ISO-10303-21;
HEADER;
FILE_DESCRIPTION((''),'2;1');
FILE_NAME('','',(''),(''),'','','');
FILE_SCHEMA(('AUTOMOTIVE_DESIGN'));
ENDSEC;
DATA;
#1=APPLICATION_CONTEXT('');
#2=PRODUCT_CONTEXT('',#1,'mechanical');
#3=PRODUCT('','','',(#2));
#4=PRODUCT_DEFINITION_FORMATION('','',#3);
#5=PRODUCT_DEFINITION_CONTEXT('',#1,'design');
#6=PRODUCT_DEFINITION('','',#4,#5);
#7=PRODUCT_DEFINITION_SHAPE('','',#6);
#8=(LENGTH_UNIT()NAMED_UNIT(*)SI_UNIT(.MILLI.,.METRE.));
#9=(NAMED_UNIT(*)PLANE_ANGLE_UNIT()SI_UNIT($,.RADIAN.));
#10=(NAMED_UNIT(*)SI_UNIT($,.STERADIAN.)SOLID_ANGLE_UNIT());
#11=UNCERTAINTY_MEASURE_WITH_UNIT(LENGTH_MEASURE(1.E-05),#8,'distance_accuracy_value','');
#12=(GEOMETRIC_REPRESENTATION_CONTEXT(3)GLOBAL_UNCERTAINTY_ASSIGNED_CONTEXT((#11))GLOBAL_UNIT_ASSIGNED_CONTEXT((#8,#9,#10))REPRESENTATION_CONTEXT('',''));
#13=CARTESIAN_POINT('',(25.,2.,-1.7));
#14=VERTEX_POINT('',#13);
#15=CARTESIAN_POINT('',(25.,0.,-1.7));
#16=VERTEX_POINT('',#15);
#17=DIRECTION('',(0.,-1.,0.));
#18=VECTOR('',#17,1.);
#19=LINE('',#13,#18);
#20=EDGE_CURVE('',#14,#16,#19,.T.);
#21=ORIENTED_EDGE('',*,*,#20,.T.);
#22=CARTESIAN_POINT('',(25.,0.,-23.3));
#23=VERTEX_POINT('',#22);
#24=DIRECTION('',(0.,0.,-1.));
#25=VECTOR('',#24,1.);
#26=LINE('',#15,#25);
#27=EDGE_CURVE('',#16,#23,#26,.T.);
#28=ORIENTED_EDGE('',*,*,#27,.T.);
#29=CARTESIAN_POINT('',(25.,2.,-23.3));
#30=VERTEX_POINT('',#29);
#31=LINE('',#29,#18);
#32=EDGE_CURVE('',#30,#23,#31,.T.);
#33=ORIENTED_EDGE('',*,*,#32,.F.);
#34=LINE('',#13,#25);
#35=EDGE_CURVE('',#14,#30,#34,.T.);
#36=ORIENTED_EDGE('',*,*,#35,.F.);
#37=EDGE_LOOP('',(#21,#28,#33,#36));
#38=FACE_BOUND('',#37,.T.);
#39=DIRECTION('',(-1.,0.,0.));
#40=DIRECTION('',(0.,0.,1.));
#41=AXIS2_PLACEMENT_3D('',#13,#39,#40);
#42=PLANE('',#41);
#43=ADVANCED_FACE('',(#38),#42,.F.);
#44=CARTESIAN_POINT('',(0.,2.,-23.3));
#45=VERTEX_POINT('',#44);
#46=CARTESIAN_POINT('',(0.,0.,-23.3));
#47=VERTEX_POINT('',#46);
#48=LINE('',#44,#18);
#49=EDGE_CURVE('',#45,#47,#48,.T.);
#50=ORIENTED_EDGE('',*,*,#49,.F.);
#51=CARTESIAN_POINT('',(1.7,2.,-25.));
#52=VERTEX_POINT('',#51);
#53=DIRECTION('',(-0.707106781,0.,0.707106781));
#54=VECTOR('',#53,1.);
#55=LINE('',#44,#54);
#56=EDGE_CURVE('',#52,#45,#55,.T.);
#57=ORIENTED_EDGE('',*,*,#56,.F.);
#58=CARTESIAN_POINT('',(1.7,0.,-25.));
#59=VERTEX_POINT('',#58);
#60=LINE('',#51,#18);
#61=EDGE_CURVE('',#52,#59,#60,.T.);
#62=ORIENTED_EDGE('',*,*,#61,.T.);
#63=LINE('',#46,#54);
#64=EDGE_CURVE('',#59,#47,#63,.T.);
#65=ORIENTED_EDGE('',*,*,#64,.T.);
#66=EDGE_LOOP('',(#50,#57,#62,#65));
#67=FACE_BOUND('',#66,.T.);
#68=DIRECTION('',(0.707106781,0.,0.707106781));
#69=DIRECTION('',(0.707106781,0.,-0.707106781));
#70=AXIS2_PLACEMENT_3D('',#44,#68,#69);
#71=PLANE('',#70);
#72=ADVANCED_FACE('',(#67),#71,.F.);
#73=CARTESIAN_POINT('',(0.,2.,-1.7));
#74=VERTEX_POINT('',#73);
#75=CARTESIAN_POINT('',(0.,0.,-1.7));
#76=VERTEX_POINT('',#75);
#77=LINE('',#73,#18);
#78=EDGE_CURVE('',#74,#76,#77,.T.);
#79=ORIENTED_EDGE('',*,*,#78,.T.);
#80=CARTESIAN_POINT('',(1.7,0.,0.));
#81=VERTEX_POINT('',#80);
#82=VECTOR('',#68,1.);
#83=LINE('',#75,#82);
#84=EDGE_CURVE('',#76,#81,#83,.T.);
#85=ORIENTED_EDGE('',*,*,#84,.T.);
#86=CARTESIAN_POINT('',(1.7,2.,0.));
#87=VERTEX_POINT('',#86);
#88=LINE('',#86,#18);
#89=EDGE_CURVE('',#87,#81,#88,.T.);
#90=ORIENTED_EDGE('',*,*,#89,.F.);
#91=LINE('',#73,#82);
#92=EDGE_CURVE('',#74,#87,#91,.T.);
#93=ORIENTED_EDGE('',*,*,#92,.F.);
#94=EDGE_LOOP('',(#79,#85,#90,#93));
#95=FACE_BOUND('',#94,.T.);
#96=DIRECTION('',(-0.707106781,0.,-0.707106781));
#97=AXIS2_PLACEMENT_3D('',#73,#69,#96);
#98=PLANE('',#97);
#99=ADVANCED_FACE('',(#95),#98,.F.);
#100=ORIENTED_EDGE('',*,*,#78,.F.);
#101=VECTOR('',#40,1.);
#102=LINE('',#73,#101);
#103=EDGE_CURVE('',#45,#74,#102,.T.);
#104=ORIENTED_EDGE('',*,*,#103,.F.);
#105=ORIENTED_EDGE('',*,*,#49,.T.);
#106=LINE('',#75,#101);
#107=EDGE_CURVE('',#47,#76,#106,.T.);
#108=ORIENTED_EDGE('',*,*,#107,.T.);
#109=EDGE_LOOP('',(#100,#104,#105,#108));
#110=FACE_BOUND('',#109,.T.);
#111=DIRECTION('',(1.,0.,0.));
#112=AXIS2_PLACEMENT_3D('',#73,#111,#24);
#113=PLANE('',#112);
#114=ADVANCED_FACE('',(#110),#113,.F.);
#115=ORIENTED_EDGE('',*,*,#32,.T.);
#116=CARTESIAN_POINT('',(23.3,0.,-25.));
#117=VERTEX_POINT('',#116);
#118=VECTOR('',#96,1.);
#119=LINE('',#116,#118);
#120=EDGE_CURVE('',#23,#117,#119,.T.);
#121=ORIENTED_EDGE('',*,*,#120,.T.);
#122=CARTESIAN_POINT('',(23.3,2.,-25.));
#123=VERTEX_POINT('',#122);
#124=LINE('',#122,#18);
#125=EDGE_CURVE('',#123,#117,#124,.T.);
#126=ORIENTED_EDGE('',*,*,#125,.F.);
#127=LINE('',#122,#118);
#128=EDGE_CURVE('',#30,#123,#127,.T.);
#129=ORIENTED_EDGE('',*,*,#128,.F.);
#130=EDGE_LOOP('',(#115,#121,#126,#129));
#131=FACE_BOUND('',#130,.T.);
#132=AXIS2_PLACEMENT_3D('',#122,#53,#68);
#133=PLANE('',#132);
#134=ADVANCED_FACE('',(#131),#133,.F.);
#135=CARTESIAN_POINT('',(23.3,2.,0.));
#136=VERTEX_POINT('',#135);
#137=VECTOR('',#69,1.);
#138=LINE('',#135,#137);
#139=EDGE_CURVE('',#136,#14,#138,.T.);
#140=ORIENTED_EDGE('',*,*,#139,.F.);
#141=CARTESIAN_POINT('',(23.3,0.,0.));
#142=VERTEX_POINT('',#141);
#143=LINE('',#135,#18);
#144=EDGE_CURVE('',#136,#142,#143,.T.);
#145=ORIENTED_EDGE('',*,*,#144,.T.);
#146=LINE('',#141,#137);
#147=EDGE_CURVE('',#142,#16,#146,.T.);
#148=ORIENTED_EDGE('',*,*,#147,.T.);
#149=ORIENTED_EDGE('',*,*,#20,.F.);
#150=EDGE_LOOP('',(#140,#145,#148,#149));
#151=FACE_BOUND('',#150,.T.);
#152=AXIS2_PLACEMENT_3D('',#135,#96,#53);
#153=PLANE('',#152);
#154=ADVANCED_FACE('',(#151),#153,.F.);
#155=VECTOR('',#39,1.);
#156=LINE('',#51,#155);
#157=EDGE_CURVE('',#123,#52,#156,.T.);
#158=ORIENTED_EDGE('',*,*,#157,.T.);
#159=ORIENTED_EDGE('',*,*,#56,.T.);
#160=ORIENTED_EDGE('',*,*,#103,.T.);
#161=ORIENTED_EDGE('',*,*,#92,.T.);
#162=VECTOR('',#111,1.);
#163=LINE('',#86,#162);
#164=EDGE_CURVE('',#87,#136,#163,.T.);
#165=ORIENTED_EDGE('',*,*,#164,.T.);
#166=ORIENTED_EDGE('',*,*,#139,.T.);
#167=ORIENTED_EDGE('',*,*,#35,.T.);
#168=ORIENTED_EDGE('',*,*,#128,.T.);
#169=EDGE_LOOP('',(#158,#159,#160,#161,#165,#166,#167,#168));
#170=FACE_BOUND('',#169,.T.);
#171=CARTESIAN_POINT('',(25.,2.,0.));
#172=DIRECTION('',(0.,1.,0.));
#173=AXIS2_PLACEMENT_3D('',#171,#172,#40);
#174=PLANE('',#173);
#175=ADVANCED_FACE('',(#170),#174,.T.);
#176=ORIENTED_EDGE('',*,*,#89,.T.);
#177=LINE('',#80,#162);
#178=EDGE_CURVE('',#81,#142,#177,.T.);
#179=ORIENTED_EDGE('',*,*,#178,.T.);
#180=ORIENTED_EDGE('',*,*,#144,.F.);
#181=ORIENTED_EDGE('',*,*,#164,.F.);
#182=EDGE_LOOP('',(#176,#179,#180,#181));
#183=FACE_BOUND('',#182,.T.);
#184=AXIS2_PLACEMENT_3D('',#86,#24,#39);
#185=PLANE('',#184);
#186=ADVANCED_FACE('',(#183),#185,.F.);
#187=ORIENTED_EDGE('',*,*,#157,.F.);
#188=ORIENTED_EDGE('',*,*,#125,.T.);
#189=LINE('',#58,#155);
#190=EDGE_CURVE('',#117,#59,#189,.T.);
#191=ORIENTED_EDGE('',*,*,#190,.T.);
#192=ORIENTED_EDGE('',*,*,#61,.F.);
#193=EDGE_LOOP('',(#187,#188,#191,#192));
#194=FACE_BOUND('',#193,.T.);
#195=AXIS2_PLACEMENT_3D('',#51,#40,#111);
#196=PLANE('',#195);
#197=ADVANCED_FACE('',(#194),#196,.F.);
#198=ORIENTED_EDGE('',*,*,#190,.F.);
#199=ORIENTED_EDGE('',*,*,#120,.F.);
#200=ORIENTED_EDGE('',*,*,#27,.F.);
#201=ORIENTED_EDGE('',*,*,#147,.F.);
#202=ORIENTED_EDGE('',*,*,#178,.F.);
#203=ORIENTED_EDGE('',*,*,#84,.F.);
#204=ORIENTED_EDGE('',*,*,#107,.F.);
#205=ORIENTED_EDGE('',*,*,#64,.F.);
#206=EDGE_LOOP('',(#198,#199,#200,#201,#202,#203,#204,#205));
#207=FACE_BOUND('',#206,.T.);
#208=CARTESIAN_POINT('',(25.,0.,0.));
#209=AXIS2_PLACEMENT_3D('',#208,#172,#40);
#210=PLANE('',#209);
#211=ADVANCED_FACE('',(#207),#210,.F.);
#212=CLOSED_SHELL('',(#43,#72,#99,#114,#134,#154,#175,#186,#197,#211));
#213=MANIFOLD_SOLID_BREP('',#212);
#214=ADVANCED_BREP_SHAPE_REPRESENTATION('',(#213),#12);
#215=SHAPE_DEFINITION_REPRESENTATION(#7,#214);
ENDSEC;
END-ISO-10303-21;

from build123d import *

# Parameters (mm, degrees)
GPS_ANTENNA_DEPTH = 2


with BuildPart() as part:
    # Sketch1 → GPS Antenna (new body)
    with BuildSketch(Plane(origin=(0, 0, 0), x_dir=(1, 0, 0), z_dir=(0, 1, 0))):
        Polygon((0, 1.7), (1.7, 0), (23.3, 0), (25, 1.7), (25, 23.3), (23.3, 25), (1.7, 25), (0, 23.3), align=None)
    extrude(amount=GPS_ANTENNA_DEPTH)


solid = part.part
